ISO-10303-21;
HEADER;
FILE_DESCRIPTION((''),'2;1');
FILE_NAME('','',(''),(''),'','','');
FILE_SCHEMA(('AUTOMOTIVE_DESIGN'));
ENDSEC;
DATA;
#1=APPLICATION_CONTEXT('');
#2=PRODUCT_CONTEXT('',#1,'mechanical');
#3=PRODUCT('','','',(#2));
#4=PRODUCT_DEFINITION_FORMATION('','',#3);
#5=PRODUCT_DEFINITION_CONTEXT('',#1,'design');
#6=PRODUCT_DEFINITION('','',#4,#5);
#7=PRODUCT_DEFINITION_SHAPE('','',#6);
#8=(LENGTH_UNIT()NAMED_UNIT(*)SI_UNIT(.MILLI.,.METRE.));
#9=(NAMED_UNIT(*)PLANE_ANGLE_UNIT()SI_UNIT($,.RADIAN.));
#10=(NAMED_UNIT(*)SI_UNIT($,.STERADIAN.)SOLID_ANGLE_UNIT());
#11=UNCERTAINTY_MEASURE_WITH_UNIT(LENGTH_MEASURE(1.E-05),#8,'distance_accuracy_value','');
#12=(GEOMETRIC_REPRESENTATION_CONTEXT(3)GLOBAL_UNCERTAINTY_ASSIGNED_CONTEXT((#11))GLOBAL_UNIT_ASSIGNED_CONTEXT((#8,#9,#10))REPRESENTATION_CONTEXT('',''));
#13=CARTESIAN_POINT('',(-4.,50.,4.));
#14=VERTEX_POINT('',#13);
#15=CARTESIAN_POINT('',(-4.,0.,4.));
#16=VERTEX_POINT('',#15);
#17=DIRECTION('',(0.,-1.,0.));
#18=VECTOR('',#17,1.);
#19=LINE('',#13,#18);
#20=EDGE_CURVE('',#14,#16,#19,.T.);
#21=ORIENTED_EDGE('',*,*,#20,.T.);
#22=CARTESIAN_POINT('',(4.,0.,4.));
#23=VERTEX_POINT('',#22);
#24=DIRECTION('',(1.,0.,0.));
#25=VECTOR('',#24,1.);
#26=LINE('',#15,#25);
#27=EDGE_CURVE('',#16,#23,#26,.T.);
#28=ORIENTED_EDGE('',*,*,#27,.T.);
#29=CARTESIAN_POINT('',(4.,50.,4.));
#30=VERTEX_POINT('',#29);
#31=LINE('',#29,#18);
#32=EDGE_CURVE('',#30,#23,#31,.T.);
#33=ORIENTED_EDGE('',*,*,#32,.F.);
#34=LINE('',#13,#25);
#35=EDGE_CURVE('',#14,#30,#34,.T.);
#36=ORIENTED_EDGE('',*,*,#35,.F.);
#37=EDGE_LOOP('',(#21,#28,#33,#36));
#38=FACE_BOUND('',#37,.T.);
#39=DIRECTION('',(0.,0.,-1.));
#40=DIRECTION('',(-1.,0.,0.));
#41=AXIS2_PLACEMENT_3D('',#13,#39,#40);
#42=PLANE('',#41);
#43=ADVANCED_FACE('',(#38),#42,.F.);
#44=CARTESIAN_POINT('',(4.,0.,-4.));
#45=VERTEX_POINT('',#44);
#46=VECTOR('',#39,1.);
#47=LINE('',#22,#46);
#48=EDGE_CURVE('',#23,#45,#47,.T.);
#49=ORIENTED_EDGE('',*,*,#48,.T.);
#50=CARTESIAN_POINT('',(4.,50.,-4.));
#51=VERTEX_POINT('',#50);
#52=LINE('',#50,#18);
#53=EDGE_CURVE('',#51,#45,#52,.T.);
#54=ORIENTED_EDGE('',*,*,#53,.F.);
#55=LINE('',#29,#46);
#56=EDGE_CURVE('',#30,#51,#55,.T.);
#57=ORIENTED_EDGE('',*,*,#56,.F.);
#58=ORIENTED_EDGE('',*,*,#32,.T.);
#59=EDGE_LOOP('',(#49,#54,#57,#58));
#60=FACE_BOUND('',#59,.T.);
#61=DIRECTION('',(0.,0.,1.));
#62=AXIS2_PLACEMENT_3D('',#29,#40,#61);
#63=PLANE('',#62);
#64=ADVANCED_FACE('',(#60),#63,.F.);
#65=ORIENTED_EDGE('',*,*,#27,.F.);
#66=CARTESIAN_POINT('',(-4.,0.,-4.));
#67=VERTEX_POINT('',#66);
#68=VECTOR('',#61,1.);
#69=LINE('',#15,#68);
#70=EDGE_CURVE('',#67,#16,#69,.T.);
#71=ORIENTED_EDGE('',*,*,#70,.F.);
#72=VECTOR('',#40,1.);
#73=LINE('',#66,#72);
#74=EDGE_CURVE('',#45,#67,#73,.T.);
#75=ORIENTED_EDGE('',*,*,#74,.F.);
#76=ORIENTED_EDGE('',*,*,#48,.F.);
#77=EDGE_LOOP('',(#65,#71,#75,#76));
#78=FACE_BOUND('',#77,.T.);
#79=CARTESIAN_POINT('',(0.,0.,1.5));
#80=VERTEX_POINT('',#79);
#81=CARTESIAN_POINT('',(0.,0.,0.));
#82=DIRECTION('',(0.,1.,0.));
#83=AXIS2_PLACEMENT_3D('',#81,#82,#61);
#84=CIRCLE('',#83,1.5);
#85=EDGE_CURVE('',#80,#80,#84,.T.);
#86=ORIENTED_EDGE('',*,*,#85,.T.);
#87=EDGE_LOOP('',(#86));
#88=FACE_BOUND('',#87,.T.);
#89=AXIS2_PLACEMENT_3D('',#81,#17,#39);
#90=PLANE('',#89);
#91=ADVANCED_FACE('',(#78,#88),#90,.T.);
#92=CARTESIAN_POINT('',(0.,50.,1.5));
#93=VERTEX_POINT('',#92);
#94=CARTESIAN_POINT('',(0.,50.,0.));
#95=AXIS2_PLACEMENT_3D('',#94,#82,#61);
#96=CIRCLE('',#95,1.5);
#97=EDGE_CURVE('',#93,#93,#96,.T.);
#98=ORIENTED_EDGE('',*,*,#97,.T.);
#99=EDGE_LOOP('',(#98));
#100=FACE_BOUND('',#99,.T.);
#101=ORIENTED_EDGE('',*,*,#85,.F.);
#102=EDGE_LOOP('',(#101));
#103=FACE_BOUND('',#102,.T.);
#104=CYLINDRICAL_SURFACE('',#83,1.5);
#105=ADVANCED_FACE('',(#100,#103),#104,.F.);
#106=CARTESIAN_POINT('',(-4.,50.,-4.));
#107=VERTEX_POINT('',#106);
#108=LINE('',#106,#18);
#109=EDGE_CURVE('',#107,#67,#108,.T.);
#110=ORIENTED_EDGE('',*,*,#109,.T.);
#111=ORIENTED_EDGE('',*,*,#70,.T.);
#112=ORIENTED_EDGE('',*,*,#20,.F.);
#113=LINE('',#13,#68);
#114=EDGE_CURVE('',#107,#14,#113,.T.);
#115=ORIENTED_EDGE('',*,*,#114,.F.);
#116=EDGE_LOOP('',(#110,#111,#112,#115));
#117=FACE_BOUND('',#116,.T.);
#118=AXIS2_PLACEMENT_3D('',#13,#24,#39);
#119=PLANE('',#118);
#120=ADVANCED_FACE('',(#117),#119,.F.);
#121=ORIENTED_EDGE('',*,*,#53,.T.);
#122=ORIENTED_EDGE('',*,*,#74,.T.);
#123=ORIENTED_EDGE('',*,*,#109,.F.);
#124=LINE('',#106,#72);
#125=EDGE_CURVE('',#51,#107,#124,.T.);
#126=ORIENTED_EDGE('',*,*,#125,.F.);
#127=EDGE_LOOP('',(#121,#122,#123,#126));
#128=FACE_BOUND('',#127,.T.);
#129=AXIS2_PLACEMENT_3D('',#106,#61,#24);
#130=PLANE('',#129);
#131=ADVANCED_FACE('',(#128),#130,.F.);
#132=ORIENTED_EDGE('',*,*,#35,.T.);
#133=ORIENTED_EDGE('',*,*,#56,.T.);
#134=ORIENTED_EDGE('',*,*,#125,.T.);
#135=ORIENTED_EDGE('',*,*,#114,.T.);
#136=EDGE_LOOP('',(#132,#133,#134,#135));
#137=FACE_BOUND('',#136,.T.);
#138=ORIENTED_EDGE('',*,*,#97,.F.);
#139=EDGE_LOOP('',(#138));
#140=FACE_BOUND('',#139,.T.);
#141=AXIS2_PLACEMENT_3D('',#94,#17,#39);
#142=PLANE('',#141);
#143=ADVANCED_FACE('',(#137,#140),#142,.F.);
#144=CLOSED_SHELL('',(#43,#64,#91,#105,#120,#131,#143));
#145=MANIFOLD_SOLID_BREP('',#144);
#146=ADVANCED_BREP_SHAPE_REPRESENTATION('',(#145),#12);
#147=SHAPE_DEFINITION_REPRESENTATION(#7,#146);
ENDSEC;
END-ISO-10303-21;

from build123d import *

# Parameters (mm, degrees)
SKETCH1_W           = 8
SKETCH1_H           = 8
BOSS_EXTRUDE1_DEPTH = 50
SKETCH2_R           = 1.5
CUT_EXTRUDE1_DEPTH  = 51


with BuildPart() as part:
    # Sketch1 → Boss-Extrude1 (new body)
    with BuildSketch(Plane(origin=(0, 0, 0), x_dir=(1, 0, 0), z_dir=(0, 1, 0))):
        Rectangle(SKETCH1_W, SKETCH1_H)
    extrude(amount=BOSS_EXTRUDE1_DEPTH)

    # Sketch2 → Cut-Extrude1 (cut, through all)
    with BuildSketch(Plane(origin=(0, 50, 0), x_dir=(1, 0, 0), z_dir=(0, 1, 0))):
        Circle(SKETCH2_R)
    extrude(amount=-CUT_EXTRUDE1_DEPTH, mode=Mode.SUBTRACT)


solid = part.part
